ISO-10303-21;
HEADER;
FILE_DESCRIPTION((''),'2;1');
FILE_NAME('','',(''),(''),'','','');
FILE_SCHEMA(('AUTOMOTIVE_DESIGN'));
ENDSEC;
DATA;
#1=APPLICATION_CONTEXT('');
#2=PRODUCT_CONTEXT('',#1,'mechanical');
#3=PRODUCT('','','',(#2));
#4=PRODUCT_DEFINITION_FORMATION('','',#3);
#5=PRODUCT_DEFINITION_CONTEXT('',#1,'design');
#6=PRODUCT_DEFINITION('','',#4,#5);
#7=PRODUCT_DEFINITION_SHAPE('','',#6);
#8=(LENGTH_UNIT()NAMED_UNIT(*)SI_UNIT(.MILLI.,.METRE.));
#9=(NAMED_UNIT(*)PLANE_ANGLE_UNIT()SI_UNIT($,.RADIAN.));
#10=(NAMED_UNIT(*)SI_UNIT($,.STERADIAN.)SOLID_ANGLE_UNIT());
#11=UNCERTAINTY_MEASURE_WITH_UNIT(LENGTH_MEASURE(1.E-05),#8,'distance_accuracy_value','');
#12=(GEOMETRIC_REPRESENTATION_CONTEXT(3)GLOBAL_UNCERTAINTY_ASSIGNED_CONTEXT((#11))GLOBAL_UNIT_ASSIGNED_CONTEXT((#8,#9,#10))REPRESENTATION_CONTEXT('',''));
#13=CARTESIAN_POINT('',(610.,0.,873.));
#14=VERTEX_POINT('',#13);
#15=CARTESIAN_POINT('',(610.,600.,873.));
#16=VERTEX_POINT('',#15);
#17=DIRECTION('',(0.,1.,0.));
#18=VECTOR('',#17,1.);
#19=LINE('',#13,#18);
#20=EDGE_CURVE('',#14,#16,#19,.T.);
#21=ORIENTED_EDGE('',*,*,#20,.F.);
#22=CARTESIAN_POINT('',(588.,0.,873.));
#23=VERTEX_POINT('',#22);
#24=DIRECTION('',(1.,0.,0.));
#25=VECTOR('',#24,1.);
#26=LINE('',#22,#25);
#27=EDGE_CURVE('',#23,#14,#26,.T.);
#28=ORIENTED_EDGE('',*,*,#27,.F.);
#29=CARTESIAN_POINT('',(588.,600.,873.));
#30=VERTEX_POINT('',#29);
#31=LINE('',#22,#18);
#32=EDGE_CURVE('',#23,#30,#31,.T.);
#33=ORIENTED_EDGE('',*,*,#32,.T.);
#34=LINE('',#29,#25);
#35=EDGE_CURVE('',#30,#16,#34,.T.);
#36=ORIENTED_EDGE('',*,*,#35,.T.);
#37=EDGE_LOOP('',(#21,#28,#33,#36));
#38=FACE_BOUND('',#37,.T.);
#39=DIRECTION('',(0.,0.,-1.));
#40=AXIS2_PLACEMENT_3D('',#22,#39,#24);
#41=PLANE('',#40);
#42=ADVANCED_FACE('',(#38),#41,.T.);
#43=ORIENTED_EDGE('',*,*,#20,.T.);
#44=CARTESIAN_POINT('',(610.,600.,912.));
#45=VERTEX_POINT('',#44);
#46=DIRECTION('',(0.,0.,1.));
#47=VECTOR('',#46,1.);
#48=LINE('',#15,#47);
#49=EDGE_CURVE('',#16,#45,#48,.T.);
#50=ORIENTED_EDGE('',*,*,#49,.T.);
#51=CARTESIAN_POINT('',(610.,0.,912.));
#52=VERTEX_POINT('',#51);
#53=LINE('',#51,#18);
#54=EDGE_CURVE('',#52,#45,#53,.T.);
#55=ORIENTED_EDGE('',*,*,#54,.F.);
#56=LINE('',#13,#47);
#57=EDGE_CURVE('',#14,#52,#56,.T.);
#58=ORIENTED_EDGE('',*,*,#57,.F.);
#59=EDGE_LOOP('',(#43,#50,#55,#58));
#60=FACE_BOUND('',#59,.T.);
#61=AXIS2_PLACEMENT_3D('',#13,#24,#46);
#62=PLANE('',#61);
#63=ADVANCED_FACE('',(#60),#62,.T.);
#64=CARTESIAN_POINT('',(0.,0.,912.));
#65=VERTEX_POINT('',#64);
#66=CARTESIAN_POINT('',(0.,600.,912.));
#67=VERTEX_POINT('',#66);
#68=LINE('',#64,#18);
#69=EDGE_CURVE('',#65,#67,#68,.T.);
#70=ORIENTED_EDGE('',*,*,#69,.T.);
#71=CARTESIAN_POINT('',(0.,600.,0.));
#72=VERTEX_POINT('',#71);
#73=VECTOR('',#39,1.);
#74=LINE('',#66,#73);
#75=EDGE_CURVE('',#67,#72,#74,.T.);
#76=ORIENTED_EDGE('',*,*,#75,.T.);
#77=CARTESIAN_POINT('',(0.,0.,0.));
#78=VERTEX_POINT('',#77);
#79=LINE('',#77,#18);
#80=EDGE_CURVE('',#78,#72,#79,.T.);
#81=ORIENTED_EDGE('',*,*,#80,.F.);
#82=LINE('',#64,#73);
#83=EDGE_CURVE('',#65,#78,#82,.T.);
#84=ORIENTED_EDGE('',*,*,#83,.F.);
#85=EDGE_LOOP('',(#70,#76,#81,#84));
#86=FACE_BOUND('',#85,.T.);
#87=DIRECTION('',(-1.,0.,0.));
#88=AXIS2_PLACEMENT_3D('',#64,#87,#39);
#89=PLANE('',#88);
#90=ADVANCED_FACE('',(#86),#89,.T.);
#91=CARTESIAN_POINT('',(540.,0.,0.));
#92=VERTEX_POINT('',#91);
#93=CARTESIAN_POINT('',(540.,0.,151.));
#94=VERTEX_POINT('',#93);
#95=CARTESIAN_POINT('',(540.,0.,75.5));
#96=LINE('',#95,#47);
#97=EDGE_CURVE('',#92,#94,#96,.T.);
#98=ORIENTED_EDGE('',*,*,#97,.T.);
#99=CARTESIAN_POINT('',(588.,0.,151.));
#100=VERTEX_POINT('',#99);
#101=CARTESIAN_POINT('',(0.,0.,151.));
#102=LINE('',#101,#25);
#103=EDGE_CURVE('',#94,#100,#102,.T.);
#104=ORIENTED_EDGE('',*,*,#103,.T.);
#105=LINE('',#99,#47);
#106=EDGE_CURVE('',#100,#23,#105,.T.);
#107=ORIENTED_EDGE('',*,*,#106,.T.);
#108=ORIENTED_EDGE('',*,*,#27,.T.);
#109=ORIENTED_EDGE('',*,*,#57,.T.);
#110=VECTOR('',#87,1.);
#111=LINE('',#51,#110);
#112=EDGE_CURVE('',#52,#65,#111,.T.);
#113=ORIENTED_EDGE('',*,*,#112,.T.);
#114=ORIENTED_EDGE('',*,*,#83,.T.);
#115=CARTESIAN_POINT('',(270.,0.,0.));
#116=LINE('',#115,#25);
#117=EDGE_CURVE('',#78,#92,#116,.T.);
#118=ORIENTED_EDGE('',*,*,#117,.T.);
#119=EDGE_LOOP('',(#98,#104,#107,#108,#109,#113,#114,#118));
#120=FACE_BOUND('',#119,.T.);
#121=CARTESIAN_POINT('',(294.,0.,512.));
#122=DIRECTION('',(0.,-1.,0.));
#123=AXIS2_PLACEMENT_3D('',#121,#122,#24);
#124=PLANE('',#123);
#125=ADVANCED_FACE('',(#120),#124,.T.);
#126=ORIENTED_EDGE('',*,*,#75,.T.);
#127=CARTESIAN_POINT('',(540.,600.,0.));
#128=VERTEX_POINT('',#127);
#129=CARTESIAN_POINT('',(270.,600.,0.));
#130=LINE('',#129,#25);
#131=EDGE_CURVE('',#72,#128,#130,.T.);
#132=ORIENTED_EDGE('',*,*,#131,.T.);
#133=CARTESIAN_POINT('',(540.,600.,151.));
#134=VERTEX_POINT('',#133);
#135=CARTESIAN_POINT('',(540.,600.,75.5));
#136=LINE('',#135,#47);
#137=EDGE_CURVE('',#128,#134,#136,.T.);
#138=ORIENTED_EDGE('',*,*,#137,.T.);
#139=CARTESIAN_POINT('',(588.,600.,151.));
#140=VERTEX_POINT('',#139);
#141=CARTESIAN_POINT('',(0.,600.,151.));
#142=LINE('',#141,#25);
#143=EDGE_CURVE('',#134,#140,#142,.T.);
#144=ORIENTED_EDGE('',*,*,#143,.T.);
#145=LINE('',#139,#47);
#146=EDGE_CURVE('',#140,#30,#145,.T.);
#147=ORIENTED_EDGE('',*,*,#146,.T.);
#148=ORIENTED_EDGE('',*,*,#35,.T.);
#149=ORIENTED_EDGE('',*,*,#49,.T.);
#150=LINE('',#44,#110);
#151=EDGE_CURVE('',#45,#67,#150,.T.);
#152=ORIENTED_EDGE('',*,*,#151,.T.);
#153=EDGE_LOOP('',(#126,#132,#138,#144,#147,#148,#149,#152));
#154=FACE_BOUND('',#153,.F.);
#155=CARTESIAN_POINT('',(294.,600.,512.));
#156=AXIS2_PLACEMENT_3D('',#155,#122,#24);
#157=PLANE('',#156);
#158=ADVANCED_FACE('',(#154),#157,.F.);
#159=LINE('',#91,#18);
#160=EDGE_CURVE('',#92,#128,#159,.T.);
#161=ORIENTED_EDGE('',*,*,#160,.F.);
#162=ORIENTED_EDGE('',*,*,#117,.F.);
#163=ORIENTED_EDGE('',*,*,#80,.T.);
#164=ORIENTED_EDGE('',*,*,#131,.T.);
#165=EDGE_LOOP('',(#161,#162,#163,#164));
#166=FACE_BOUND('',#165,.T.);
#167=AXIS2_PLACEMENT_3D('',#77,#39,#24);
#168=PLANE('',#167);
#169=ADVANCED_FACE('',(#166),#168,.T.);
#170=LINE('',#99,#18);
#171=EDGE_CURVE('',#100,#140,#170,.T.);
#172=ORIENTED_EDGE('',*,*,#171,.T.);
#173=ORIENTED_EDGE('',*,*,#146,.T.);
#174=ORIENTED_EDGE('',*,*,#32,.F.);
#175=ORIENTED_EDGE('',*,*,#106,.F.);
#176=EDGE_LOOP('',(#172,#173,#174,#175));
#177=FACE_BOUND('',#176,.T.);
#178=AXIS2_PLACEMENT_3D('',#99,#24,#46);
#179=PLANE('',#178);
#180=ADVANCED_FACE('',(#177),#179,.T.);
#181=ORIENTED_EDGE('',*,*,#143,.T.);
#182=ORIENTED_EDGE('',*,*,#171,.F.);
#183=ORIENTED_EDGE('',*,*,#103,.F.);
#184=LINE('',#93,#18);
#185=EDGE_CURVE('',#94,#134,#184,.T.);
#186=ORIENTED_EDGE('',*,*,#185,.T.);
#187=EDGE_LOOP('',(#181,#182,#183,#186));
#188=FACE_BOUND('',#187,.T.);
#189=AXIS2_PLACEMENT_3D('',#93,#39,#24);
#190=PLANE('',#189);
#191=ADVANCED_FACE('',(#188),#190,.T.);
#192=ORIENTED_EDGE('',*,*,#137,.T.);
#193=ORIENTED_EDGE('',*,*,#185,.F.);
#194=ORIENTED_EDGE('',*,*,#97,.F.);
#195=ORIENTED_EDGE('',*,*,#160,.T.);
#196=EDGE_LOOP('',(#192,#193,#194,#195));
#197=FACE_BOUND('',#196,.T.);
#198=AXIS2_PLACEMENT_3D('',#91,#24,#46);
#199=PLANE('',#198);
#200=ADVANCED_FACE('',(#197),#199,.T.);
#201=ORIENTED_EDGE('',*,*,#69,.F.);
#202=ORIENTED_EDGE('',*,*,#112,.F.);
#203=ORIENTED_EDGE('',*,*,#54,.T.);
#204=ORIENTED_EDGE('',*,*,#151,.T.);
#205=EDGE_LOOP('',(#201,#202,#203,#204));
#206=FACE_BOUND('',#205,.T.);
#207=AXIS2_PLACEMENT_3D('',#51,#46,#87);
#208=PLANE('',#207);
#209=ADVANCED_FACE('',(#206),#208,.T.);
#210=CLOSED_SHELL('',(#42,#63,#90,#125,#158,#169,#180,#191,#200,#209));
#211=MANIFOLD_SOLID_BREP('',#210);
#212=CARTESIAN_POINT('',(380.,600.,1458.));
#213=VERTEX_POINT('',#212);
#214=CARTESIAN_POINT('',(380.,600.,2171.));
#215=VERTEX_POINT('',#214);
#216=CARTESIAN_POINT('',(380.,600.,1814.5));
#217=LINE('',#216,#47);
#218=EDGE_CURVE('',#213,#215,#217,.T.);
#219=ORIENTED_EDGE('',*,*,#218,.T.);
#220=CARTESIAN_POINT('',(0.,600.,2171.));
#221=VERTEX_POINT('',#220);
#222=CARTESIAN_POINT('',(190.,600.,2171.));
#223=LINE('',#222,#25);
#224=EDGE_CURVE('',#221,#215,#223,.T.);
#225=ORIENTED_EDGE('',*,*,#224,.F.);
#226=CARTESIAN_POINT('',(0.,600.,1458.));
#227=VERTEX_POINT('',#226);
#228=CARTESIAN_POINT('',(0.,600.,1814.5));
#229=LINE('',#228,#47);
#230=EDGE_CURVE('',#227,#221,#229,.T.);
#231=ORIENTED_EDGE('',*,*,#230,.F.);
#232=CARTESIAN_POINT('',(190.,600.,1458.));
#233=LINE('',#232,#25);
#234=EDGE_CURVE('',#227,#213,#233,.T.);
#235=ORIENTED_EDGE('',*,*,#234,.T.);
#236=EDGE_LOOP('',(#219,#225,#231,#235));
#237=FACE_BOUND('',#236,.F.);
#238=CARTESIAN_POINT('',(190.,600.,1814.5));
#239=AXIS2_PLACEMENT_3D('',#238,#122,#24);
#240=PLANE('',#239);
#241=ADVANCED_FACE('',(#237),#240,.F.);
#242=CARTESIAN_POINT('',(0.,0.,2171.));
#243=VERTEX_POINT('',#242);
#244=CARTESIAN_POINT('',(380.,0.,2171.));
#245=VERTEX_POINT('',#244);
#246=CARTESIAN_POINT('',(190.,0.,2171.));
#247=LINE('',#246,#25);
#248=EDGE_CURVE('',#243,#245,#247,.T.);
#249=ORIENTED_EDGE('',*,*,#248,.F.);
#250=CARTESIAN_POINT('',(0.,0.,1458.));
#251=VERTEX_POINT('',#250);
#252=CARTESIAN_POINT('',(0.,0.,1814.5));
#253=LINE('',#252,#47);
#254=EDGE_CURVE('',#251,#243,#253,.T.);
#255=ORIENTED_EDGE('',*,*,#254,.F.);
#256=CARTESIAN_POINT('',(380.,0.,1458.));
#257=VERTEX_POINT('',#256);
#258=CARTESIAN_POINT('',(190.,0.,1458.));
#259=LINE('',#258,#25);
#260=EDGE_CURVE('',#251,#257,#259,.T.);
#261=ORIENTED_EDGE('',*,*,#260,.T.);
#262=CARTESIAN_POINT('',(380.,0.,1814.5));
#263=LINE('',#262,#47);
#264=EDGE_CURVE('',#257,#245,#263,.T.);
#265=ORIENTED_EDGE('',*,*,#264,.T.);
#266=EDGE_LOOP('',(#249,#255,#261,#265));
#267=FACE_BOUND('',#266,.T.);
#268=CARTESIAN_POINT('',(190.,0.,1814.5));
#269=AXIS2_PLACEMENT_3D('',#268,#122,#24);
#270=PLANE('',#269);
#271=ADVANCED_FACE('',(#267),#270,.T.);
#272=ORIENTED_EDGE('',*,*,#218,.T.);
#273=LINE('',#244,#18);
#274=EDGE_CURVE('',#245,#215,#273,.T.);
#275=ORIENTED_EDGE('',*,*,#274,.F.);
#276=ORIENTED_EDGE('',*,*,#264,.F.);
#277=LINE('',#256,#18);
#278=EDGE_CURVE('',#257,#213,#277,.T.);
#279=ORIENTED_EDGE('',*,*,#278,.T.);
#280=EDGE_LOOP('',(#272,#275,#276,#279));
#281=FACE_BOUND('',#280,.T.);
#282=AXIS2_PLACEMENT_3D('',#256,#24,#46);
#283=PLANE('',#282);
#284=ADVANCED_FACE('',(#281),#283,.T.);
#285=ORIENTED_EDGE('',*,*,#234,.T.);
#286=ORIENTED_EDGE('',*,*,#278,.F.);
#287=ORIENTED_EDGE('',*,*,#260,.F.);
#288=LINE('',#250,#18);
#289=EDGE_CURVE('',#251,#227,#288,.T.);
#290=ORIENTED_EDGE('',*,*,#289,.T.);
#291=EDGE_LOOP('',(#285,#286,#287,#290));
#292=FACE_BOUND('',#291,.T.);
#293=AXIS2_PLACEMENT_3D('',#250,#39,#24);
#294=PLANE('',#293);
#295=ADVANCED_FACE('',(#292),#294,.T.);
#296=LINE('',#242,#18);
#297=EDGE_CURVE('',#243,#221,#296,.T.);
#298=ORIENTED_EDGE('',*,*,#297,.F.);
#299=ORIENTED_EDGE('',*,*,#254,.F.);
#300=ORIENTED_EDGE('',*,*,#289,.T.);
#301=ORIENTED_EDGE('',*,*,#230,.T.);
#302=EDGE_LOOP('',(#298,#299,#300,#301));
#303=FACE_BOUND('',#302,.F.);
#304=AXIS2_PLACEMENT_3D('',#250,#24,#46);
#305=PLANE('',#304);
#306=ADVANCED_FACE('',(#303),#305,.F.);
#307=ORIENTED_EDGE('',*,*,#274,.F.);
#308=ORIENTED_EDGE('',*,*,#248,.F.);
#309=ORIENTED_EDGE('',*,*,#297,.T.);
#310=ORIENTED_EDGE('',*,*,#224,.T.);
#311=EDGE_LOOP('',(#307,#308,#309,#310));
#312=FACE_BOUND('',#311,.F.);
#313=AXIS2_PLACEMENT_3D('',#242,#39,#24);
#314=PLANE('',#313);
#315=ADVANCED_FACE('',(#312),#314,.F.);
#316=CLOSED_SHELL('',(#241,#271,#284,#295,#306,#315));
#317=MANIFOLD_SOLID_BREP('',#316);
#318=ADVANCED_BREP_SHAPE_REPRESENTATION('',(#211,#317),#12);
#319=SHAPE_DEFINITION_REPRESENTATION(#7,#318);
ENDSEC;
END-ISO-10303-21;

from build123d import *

# Parameters (mm, degrees)
F0_W     = 540
F0_H     = 151
F0_W_2   = 380
F0_H_2   = 713
F1_DEPTH = 600


with BuildPart() as f1:
    # F0 (on Front) → F1 (new body)
    with BuildSketch(Plane.XZ):
        Polygon((588, 873), (0, 873), (0, 151), (540, 151), (588, 151), align=None)
        Polygon((610, 912), (0, 912), (0, 873), (588, 873), (610, 873), align=None)
        with Locations((270, 75.5)):
            Rectangle(F0_W, F0_H)
        with Locations((190, 1814.5)):
            Rectangle(F0_W_2, F0_H_2)
    extrude(amount=-F1_DEPTH)


solid = f1.part
